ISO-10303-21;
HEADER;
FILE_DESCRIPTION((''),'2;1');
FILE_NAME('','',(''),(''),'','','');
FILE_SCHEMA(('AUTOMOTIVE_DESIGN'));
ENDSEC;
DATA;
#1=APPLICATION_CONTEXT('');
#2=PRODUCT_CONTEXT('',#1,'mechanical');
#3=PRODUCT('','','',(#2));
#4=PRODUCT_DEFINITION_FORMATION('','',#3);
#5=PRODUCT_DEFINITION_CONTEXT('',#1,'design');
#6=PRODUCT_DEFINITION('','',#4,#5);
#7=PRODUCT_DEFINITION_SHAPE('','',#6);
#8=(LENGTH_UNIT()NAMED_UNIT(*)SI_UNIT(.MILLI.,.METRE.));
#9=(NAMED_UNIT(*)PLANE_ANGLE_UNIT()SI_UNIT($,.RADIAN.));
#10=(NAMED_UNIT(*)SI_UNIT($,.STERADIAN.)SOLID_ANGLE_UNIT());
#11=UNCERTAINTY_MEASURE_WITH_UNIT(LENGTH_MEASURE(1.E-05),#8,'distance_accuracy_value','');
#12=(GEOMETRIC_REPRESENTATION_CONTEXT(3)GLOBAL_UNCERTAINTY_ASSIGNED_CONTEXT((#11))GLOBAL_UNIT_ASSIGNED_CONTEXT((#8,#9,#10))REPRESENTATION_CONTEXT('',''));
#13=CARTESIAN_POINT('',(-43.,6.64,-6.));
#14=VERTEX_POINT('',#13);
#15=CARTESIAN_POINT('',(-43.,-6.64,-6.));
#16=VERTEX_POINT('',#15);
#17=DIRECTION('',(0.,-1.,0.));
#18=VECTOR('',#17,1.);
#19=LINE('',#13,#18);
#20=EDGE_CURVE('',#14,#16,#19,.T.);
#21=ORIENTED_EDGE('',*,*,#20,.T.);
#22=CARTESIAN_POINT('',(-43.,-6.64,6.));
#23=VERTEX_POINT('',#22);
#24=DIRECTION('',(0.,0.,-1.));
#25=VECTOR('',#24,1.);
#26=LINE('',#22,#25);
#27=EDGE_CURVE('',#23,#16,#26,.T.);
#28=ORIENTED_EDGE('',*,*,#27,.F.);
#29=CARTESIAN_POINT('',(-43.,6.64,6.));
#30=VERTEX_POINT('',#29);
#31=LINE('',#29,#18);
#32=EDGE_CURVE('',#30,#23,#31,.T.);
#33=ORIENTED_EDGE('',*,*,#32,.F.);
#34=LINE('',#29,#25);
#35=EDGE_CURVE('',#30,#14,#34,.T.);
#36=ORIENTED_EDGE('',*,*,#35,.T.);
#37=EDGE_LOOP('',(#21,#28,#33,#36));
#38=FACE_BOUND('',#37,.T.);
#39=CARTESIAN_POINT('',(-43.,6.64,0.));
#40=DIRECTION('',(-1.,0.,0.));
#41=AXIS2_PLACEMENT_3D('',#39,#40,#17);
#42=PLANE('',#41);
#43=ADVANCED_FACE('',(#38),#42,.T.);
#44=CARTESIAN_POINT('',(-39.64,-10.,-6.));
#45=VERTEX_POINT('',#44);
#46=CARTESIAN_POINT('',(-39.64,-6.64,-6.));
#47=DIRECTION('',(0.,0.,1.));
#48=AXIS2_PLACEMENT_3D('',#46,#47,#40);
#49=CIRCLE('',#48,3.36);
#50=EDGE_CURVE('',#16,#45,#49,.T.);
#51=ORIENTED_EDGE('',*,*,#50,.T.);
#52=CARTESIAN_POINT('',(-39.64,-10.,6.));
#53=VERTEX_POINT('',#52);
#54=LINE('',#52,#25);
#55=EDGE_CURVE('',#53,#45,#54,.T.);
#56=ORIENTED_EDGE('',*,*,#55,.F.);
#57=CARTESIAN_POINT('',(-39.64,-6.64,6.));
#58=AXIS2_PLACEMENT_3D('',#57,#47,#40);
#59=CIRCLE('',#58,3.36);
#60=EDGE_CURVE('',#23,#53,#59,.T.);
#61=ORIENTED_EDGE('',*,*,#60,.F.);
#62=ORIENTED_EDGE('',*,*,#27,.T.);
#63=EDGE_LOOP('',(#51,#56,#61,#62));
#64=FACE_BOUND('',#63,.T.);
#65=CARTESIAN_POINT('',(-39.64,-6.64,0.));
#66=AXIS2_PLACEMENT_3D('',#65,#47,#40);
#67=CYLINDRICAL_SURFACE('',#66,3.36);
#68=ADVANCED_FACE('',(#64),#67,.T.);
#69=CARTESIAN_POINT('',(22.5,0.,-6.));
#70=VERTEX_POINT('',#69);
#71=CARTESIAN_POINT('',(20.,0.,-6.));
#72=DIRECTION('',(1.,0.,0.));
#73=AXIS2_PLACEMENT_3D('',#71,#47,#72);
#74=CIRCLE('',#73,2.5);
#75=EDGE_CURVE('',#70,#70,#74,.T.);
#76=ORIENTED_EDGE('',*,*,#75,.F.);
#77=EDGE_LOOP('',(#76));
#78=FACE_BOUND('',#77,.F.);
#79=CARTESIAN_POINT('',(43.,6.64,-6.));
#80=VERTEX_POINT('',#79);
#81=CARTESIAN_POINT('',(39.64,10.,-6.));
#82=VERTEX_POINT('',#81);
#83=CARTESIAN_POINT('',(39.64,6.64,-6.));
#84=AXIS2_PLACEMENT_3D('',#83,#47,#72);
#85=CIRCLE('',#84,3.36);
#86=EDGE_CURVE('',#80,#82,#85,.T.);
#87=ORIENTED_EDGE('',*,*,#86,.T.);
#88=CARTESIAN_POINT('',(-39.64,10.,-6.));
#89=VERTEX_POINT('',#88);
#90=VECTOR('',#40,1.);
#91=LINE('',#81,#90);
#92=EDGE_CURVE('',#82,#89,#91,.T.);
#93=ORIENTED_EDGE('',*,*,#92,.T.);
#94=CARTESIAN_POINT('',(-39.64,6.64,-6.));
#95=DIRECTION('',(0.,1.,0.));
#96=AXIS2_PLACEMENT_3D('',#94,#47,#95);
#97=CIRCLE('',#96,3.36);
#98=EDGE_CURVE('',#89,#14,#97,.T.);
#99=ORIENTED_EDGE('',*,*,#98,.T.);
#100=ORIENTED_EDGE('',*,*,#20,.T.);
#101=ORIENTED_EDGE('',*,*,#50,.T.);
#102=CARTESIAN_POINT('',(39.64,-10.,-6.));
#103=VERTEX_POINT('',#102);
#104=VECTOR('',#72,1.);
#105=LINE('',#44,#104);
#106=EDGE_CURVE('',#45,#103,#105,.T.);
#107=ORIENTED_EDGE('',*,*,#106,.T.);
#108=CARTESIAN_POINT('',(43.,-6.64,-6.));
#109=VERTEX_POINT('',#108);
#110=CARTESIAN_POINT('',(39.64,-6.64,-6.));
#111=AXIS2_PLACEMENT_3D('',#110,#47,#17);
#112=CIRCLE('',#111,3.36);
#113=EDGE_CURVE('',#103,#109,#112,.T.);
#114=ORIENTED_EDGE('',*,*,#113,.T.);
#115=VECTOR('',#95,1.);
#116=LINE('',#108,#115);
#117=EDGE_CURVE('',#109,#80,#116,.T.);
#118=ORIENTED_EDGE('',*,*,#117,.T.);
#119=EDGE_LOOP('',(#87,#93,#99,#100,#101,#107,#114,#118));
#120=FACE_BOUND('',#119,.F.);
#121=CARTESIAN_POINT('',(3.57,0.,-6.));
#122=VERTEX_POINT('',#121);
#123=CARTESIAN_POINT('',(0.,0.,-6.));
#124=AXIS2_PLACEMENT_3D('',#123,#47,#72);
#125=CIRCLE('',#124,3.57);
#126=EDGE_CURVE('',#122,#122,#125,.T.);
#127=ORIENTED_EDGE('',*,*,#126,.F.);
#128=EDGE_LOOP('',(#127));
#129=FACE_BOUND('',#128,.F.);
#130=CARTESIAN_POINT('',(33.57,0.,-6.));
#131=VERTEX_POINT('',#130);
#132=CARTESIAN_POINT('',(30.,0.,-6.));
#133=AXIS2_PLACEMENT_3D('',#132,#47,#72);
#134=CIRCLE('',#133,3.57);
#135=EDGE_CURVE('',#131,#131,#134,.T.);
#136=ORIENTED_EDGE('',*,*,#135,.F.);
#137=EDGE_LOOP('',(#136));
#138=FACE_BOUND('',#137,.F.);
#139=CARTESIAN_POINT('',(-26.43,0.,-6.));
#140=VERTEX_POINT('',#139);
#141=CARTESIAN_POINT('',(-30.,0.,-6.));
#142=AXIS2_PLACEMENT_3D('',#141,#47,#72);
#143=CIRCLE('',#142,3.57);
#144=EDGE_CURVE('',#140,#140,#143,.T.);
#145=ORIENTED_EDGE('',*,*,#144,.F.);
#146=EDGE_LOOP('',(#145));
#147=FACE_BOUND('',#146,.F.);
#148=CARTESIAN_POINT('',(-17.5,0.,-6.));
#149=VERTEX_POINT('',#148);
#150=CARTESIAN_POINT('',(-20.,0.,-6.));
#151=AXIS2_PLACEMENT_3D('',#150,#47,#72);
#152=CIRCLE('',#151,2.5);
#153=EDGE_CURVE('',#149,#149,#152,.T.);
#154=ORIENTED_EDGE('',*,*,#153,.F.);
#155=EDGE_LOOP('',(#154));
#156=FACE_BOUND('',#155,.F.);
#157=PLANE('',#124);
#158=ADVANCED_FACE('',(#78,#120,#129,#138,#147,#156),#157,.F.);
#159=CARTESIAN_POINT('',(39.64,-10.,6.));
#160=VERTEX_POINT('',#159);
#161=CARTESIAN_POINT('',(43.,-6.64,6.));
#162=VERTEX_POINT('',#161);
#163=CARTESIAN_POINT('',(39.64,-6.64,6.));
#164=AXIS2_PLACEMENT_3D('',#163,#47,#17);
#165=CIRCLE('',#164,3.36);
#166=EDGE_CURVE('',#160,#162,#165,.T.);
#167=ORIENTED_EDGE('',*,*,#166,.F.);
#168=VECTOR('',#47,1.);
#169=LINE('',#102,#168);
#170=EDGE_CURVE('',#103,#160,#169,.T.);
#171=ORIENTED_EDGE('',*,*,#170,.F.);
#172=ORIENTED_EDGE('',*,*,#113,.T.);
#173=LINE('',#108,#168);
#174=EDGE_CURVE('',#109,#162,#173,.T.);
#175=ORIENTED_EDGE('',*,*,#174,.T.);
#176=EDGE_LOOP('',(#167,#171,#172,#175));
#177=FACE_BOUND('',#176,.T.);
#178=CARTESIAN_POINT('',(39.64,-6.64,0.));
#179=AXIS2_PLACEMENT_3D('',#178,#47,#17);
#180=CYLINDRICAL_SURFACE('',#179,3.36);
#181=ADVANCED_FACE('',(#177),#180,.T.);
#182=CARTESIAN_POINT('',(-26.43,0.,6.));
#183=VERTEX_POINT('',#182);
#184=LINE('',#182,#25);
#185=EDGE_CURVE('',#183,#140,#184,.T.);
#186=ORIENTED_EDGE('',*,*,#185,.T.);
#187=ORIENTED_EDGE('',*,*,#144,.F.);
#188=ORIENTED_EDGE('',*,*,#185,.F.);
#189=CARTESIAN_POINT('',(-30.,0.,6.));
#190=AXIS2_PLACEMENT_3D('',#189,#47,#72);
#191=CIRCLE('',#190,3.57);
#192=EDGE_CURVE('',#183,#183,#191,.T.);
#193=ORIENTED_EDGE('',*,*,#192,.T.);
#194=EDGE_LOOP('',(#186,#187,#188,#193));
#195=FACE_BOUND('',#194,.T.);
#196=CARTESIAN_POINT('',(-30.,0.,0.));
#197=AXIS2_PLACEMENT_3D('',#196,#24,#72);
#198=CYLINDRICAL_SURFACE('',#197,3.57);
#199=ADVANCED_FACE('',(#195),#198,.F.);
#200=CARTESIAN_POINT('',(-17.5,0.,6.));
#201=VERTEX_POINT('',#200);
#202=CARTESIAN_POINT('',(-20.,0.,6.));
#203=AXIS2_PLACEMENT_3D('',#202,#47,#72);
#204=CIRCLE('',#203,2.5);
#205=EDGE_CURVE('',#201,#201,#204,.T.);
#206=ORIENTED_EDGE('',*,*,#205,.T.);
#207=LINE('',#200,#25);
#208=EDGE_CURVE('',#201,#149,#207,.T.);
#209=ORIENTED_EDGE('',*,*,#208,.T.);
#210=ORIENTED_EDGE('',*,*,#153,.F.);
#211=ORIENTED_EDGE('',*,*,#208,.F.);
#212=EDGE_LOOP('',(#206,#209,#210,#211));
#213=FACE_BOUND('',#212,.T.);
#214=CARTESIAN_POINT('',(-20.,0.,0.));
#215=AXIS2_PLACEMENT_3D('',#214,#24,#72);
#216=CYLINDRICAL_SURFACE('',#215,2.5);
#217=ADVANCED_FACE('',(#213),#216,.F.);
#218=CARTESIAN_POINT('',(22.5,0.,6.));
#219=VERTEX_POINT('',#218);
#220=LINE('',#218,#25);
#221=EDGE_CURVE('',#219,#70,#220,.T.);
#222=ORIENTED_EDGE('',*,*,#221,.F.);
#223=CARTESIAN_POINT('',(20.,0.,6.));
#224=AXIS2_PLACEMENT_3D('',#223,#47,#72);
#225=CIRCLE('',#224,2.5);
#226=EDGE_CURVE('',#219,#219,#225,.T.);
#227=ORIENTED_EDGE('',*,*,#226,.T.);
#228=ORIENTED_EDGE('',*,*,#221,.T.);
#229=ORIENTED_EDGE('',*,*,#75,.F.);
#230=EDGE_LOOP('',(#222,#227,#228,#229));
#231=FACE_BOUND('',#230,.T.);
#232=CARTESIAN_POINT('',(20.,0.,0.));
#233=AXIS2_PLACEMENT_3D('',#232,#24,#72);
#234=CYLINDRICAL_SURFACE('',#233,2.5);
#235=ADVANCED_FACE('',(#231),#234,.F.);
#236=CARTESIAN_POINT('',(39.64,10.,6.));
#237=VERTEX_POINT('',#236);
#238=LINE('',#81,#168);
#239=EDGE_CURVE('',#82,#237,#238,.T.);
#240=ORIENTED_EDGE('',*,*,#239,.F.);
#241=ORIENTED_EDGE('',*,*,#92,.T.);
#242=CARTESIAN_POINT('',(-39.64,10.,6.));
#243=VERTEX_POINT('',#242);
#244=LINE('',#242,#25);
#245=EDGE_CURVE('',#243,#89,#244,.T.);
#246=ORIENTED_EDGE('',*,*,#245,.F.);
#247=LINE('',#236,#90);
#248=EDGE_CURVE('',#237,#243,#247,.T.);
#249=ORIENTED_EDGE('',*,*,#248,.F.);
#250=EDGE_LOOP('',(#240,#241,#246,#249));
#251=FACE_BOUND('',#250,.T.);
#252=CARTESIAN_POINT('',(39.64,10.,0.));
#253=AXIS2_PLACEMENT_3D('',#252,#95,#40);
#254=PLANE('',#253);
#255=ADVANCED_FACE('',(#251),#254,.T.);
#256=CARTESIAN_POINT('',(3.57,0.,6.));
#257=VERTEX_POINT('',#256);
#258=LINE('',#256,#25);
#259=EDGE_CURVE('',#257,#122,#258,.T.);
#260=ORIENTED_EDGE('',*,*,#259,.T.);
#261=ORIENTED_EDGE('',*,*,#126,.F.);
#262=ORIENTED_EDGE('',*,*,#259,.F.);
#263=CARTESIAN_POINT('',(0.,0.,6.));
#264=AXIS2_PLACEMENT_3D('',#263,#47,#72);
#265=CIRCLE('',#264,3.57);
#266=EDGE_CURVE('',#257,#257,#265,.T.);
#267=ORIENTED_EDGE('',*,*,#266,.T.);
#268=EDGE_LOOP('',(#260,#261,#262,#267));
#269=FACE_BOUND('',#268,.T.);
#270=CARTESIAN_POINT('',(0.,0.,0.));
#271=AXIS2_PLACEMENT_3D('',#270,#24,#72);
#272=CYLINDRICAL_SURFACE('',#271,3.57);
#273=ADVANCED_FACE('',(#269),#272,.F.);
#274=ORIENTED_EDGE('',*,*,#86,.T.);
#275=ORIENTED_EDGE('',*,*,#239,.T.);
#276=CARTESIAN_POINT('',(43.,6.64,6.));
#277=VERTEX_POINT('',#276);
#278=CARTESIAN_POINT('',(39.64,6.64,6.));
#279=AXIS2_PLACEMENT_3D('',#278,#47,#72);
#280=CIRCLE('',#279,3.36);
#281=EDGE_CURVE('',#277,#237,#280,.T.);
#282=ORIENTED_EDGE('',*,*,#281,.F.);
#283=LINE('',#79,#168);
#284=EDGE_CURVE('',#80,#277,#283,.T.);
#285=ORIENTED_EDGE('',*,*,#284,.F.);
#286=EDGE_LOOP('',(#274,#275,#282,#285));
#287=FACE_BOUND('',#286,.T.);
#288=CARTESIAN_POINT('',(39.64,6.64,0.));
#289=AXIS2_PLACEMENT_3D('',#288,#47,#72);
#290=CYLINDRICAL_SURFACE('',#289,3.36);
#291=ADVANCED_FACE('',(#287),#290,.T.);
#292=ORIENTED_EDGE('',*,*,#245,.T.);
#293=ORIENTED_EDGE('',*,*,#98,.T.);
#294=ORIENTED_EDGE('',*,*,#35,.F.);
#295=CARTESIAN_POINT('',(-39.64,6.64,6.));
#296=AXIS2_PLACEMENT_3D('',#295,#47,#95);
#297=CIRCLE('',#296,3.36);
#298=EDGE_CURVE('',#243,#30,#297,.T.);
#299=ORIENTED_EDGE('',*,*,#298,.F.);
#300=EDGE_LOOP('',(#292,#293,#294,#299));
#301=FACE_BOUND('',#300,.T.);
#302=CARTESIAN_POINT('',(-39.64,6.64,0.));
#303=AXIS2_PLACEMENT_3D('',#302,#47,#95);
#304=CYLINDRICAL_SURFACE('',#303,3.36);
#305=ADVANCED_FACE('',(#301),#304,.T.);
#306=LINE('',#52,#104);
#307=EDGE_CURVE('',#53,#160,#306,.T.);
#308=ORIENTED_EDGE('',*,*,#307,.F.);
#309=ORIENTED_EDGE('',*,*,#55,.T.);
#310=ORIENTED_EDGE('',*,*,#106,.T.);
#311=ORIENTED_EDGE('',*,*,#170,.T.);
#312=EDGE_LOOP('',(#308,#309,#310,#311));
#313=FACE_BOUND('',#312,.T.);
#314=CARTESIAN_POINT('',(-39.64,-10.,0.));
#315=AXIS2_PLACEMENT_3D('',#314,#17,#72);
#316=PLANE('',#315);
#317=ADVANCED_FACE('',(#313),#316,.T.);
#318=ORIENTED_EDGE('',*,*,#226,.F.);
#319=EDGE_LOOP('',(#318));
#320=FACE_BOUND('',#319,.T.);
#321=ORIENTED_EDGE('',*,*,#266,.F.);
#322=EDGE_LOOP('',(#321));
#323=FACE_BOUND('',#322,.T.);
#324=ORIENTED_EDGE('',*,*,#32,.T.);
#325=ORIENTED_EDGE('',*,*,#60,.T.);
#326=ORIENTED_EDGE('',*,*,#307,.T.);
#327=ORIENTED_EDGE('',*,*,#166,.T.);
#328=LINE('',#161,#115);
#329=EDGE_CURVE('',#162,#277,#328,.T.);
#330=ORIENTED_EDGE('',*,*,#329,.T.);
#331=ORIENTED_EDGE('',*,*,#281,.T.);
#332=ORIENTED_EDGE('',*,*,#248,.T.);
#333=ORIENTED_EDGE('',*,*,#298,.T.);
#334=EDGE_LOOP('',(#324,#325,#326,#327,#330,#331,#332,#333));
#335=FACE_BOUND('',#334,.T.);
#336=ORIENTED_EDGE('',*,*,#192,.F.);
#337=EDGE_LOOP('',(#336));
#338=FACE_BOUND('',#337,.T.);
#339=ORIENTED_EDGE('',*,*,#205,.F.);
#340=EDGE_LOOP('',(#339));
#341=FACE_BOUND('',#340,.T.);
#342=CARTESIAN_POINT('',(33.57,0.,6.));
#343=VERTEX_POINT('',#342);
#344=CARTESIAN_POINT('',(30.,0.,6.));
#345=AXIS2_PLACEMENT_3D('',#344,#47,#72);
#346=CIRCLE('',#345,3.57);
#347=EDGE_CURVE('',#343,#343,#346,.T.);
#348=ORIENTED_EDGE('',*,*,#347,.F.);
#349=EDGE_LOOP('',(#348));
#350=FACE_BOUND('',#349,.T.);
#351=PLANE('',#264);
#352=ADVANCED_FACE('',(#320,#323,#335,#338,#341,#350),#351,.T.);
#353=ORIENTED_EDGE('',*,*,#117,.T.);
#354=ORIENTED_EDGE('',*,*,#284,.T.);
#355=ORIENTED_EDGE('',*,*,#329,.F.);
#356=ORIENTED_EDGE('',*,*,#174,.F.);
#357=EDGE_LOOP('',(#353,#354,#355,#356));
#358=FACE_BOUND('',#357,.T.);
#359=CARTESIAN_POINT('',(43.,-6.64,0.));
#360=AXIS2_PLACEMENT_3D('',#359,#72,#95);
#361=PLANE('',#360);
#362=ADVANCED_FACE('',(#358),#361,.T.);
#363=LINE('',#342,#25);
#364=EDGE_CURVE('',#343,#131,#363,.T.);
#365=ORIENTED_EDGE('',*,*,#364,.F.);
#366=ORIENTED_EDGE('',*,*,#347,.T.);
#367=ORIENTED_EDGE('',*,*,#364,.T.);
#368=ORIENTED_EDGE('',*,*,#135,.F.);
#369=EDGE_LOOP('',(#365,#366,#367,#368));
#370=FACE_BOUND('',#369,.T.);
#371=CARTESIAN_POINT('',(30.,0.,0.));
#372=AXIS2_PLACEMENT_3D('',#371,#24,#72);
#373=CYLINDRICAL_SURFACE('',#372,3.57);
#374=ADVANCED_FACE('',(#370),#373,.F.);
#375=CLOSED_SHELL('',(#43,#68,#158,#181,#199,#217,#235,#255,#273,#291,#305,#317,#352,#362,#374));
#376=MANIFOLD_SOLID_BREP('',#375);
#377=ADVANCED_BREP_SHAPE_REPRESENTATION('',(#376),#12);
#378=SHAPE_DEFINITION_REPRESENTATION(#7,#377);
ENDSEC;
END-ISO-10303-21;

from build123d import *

# Parameters (mm, degrees)
SKETCH1_R           = 3.57
SKETCH1_R_2         = 2.5
BOSS_EXTRUDE1_DEPTH = 6


with BuildPart() as part:
    # Sketch1 → Boss-Extrude1 (new body, symmetric)
    with BuildSketch(Plane.XY):
        with BuildLine():
            Line((-39.64, -10), (39.64, -10))
            ThreePointArc((39.64, -10), (42.015878785, -9.015878785), (43, -6.64))
            Line((43, -6.64), (43, 6.64))
            ThreePointArc((43, 6.64), (42.015878785, 9.015878785), (39.64, 10))
            Line((39.64, 10), (-39.64, 10))
            ThreePointArc((-39.64, 10), (-42.015878785, 9.015878785), (-43, 6.64))
            Line((-43, 6.64), (-43, -6.64))
            ThreePointArc((-43, -6.64), (-42.015878785, -9.015878785), (-39.64, -10))
        make_face()
        with Locations((-30, 0)):
            Circle(SKETCH1_R, mode=Mode.SUBTRACT)
        Circle(SKETCH1_R, mode=Mode.SUBTRACT)
        with Locations((30, 0)):
            Circle(SKETCH1_R, mode=Mode.SUBTRACT)
        with Locations((-20, 0)):
            Circle(SKETCH1_R_2, mode=Mode.SUBTRACT)
        with Locations((20, 0)):
            Circle(SKETCH1_R_2, mode=Mode.SUBTRACT)
    extrude(amount=BOSS_EXTRUDE1_DEPTH, both=True)


solid = part.part
